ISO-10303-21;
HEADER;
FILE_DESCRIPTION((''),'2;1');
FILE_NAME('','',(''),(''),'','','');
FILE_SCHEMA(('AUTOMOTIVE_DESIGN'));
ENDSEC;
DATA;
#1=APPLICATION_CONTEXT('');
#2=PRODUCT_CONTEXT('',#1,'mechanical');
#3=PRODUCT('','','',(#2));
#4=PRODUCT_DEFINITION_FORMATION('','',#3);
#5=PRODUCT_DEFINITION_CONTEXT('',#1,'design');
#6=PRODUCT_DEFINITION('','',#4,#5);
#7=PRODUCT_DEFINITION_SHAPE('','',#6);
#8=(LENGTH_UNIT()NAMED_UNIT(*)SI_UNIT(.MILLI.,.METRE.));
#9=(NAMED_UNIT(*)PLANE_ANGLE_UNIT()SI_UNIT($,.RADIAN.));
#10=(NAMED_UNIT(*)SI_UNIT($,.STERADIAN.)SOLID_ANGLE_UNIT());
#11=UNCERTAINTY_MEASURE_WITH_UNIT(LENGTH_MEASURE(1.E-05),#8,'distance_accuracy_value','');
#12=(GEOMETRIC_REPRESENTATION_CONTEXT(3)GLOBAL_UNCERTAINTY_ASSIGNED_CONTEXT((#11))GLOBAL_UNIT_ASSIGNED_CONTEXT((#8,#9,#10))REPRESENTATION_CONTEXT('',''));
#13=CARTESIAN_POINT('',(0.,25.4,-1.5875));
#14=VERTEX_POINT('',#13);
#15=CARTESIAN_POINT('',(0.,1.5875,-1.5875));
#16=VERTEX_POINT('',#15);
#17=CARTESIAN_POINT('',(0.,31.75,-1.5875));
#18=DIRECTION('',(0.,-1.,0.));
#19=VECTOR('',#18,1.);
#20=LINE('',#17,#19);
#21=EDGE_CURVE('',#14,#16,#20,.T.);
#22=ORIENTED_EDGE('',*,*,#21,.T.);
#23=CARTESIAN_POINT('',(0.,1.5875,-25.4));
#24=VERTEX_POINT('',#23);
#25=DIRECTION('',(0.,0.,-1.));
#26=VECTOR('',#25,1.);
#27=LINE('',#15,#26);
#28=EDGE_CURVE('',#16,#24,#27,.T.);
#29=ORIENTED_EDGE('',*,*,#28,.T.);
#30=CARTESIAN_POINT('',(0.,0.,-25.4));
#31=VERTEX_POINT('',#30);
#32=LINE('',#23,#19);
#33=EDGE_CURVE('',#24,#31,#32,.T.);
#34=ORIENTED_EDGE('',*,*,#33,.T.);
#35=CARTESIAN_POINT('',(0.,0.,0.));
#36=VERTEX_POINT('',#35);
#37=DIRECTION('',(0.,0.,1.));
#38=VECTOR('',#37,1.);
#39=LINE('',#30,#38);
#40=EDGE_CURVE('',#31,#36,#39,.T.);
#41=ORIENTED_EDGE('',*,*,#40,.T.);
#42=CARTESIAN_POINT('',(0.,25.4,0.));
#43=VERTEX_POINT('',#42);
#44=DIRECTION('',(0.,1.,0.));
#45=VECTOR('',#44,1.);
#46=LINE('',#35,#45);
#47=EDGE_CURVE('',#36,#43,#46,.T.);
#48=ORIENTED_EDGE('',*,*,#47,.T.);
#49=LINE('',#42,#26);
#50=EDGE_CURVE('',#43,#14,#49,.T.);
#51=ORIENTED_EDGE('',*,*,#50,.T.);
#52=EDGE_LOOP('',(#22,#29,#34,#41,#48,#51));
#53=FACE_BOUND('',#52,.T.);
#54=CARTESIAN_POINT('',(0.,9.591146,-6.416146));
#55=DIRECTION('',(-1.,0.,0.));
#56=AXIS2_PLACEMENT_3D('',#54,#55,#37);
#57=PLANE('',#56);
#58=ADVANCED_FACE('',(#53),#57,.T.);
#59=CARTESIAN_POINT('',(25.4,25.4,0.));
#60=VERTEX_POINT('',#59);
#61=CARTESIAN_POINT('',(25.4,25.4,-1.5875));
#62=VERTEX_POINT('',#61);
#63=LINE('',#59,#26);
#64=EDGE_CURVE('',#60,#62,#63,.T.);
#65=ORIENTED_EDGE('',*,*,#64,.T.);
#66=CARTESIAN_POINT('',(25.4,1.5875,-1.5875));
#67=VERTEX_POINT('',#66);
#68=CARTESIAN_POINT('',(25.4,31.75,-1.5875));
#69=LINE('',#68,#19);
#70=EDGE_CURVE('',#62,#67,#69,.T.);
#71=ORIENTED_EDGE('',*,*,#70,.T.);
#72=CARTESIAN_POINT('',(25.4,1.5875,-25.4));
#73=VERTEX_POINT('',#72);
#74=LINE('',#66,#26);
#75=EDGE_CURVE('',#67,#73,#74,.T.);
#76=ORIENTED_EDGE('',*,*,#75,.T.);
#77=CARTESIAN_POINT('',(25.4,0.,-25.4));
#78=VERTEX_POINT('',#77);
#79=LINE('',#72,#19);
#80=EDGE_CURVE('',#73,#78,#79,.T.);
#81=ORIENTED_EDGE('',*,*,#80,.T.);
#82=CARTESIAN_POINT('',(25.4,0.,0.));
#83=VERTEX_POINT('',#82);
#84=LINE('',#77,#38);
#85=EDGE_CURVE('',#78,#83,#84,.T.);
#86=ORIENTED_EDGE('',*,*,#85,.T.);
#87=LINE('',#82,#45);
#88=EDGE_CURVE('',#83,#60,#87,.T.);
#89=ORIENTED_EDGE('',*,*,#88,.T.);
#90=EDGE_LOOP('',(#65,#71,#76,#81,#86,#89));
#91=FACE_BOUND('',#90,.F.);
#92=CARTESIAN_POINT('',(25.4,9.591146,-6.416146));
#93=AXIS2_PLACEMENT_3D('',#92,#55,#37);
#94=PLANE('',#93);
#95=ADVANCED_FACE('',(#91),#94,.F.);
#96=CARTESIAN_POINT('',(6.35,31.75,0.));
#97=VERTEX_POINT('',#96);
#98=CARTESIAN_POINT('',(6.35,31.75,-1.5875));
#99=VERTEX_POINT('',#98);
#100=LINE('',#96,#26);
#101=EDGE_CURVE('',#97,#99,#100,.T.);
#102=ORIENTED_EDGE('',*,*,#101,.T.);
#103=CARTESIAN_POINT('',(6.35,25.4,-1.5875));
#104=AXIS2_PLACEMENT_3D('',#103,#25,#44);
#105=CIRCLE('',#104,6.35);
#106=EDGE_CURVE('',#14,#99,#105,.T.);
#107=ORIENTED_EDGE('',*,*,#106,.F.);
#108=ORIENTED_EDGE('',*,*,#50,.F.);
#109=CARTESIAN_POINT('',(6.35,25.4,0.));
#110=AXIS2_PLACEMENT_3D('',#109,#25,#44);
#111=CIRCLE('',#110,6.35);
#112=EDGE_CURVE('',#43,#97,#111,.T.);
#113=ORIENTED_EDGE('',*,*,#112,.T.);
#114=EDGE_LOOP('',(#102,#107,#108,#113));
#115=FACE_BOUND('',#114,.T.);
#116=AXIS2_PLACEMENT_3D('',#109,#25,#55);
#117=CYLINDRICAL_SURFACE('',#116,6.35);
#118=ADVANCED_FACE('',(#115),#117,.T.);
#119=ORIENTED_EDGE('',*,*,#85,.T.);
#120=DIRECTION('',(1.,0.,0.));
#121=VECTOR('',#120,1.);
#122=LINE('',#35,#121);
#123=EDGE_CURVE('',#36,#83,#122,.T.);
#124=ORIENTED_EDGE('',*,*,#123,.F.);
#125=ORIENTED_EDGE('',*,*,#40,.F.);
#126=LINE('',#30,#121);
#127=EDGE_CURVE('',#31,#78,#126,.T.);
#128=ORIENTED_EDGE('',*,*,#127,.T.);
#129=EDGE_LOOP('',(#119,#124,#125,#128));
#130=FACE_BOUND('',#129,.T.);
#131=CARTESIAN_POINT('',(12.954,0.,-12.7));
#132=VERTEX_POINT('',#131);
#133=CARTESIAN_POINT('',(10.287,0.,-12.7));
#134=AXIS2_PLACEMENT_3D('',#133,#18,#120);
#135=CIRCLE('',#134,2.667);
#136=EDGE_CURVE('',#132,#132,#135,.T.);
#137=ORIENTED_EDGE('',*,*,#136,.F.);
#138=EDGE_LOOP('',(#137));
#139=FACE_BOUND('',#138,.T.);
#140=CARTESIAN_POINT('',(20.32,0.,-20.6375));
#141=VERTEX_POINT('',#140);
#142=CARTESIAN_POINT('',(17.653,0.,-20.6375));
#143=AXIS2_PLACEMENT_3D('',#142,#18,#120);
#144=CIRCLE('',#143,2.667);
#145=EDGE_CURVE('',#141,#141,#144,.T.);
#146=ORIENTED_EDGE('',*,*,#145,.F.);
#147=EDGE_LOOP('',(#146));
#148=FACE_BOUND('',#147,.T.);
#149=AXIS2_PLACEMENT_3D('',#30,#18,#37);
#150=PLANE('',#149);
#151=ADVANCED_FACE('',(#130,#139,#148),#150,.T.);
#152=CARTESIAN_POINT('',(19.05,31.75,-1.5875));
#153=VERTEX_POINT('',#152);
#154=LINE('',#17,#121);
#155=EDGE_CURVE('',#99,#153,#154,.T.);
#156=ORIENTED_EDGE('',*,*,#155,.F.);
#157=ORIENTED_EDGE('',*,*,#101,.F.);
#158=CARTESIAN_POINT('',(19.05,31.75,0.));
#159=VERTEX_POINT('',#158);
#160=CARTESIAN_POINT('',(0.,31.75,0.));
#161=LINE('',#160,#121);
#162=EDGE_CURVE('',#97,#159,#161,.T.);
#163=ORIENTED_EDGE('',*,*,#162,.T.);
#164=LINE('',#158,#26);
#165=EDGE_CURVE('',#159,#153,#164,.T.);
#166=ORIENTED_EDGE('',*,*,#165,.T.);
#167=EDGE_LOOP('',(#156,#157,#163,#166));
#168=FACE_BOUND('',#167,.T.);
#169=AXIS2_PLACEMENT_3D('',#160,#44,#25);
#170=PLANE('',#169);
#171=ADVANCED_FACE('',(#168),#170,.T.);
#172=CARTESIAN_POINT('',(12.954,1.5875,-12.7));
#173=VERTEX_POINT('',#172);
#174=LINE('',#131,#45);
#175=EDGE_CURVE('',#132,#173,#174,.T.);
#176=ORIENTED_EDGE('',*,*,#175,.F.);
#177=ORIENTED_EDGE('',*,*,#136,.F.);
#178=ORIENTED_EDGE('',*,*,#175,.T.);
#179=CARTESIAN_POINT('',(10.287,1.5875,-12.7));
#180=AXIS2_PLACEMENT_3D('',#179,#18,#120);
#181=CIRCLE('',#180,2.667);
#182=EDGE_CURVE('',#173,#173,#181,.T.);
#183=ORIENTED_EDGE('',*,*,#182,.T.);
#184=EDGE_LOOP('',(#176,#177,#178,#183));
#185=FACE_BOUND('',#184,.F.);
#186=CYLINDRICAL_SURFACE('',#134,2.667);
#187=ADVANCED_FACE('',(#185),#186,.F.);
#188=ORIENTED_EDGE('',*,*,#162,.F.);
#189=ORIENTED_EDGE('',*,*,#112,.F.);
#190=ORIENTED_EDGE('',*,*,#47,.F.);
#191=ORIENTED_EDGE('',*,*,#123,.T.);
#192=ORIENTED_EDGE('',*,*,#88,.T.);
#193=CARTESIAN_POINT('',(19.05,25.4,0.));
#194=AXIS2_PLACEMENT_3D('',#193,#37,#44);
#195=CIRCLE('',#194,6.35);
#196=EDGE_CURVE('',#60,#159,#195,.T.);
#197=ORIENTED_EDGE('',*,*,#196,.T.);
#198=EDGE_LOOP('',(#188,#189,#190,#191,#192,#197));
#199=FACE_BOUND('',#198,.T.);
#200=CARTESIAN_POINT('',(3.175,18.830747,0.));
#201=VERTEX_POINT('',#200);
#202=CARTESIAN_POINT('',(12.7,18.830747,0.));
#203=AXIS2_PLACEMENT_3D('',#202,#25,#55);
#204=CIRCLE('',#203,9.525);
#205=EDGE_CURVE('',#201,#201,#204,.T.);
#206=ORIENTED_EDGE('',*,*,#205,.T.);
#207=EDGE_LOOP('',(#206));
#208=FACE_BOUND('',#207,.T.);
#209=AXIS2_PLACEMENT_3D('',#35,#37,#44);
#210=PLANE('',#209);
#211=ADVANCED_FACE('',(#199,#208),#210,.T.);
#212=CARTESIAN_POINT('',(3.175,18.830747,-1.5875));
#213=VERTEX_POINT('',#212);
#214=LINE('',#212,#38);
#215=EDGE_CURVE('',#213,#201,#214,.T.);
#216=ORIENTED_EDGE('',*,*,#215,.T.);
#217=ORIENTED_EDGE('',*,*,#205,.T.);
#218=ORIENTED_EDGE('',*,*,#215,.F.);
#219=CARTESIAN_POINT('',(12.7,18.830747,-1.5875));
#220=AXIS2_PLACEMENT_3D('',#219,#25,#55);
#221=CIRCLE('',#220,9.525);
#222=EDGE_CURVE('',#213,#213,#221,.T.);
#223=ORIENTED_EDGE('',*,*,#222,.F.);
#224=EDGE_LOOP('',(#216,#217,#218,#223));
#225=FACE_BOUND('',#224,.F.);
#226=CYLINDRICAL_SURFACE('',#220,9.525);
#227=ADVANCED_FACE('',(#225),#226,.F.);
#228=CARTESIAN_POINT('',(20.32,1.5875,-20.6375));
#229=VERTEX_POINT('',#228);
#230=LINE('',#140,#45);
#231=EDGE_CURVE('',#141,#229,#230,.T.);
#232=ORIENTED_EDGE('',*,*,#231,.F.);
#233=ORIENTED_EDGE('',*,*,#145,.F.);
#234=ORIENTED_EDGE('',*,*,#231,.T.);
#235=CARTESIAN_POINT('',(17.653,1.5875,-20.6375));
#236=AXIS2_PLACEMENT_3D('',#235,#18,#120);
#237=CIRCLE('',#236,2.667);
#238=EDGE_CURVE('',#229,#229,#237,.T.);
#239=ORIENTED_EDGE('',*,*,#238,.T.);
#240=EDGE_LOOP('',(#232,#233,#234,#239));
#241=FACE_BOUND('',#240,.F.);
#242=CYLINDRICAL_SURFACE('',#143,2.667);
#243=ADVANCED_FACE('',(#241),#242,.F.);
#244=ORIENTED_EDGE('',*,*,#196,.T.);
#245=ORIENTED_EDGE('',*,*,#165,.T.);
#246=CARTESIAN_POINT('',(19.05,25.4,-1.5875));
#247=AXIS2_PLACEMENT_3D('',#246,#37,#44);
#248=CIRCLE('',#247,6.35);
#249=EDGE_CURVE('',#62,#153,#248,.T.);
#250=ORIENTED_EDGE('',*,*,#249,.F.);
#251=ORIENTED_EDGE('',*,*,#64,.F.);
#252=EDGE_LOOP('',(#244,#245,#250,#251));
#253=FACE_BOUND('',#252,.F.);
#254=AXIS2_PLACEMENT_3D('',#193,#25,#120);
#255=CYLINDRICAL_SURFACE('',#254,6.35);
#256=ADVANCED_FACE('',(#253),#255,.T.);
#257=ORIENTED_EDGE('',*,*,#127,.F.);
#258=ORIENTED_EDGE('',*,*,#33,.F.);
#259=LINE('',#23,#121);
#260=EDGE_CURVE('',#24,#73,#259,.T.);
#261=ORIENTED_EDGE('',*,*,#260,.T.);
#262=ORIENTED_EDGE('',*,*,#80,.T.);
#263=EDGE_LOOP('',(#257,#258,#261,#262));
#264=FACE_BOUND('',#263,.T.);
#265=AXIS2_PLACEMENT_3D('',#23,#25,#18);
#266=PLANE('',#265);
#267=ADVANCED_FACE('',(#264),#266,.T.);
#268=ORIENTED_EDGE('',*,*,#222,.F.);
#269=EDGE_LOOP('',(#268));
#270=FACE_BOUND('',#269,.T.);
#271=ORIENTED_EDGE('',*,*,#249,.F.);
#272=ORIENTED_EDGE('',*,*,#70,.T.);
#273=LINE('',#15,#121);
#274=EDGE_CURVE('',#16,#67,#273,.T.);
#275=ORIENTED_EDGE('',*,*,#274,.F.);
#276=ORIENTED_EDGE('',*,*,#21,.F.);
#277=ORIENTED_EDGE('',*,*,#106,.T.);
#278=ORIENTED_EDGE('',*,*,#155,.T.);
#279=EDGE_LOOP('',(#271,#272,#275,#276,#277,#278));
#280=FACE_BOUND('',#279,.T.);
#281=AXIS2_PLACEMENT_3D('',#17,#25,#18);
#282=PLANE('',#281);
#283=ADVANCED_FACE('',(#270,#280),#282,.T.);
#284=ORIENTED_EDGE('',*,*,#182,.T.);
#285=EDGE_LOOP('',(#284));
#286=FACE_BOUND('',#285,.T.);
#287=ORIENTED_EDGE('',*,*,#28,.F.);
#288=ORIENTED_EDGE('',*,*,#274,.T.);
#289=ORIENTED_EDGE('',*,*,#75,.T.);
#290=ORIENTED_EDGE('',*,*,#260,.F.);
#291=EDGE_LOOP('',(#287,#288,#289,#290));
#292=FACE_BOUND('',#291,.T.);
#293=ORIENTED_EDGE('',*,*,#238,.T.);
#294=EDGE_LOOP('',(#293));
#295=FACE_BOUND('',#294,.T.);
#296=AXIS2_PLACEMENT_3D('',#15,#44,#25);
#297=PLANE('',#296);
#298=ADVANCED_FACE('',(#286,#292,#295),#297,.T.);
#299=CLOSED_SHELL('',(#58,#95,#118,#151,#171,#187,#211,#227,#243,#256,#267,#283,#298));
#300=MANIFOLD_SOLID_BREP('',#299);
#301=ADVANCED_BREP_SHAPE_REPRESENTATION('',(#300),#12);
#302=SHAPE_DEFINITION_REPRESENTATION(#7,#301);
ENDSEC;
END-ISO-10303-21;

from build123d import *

# Parameters (mm, degrees)
BOSS_EXTRUDE1_DEPTH = 25.4
CUT_EXTRUDE1_REACH  = 3.587
SKETCH2_R           = 9.525
FILLET1_R           = 6.35
CUT_EXTRUDE2_REACH  = 33.75
SKETCH3_R           = 2.667


with BuildPart() as part:
    # Sketch1 → Boss-Extrude1 (new body)
    with BuildSketch(Plane(origin=(0, 0, 0), x_dir=(0, 0, -1), z_dir=(1, 0, 0))):
        Polygon((1.5875, 1.5875), (25.4, 1.5875), (25.4, 0), (0, 0), (0, 31.75), (1.5875, 31.75), align=None)
    extrude(amount=BOSS_EXTRUDE1_DEPTH)

    # Sketch2 → Cut-Extrude1 (cut, up to next)
    with BuildSketch(Plane(origin=(0, 0, -1.5875), x_dir=(-1, 0, 0), z_dir=(0, 0, -1)), mode=Mode.PRIVATE) as cut_extrude1_sk1:
        with Locations((-12.7, 18.830747356)):
            Circle(SKETCH2_R)
    cut_extrude1_tool1 = extrude(cut_extrude1_sk1.sketch, amount=-CUT_EXTRUDE1_REACH, mode=Mode.PRIVATE) & part.part
    add(cut_extrude1_tool1.solids().sort_by_distance((12.7, 18.830747, -1.5875))[0], mode=Mode.SUBTRACT)

    # Fillet1
    fillet1_edges = [part.edges().sort_by_distance(p)[0] for p in [
        (25.4, 31.75, -0.79375),
        (0, 31.75, -0.79375),
    ]]
    fillet(fillet1_edges, radius=FILLET1_R)

    # Sketch3 → Cut-Extrude2 (cut, up to next)
    with BuildSketch(Plane.XZ, mode=Mode.PRIVATE) as cut_extrude2_sk1:
        with Locations((17.653, -20.6375)):
            Circle(SKETCH3_R)
    cut_extrude2_tool1 = extrude(cut_extrude2_sk1.sketch, amount=-CUT_EXTRUDE2_REACH, mode=Mode.PRIVATE) & part.part
    add(cut_extrude2_tool1.solids().sort_by_distance((17.653, 0, -20.6375))[0], mode=Mode.SUBTRACT)
    # Sketch3 → Cut-Extrude2 (cut, up to next)
    with BuildSketch(Plane.XZ, mode=Mode.PRIVATE) as cut_extrude2_sk2:
        with Locations((10.287, -12.7)):
            Circle(SKETCH3_R)
    cut_extrude2_tool2 = extrude(cut_extrude2_sk2.sketch, amount=-CUT_EXTRUDE2_REACH, mode=Mode.PRIVATE) & part.part
    add(cut_extrude2_tool2.solids().sort_by_distance((10.287, 0, -12.7))[0], mode=Mode.SUBTRACT)


solid = part.part
